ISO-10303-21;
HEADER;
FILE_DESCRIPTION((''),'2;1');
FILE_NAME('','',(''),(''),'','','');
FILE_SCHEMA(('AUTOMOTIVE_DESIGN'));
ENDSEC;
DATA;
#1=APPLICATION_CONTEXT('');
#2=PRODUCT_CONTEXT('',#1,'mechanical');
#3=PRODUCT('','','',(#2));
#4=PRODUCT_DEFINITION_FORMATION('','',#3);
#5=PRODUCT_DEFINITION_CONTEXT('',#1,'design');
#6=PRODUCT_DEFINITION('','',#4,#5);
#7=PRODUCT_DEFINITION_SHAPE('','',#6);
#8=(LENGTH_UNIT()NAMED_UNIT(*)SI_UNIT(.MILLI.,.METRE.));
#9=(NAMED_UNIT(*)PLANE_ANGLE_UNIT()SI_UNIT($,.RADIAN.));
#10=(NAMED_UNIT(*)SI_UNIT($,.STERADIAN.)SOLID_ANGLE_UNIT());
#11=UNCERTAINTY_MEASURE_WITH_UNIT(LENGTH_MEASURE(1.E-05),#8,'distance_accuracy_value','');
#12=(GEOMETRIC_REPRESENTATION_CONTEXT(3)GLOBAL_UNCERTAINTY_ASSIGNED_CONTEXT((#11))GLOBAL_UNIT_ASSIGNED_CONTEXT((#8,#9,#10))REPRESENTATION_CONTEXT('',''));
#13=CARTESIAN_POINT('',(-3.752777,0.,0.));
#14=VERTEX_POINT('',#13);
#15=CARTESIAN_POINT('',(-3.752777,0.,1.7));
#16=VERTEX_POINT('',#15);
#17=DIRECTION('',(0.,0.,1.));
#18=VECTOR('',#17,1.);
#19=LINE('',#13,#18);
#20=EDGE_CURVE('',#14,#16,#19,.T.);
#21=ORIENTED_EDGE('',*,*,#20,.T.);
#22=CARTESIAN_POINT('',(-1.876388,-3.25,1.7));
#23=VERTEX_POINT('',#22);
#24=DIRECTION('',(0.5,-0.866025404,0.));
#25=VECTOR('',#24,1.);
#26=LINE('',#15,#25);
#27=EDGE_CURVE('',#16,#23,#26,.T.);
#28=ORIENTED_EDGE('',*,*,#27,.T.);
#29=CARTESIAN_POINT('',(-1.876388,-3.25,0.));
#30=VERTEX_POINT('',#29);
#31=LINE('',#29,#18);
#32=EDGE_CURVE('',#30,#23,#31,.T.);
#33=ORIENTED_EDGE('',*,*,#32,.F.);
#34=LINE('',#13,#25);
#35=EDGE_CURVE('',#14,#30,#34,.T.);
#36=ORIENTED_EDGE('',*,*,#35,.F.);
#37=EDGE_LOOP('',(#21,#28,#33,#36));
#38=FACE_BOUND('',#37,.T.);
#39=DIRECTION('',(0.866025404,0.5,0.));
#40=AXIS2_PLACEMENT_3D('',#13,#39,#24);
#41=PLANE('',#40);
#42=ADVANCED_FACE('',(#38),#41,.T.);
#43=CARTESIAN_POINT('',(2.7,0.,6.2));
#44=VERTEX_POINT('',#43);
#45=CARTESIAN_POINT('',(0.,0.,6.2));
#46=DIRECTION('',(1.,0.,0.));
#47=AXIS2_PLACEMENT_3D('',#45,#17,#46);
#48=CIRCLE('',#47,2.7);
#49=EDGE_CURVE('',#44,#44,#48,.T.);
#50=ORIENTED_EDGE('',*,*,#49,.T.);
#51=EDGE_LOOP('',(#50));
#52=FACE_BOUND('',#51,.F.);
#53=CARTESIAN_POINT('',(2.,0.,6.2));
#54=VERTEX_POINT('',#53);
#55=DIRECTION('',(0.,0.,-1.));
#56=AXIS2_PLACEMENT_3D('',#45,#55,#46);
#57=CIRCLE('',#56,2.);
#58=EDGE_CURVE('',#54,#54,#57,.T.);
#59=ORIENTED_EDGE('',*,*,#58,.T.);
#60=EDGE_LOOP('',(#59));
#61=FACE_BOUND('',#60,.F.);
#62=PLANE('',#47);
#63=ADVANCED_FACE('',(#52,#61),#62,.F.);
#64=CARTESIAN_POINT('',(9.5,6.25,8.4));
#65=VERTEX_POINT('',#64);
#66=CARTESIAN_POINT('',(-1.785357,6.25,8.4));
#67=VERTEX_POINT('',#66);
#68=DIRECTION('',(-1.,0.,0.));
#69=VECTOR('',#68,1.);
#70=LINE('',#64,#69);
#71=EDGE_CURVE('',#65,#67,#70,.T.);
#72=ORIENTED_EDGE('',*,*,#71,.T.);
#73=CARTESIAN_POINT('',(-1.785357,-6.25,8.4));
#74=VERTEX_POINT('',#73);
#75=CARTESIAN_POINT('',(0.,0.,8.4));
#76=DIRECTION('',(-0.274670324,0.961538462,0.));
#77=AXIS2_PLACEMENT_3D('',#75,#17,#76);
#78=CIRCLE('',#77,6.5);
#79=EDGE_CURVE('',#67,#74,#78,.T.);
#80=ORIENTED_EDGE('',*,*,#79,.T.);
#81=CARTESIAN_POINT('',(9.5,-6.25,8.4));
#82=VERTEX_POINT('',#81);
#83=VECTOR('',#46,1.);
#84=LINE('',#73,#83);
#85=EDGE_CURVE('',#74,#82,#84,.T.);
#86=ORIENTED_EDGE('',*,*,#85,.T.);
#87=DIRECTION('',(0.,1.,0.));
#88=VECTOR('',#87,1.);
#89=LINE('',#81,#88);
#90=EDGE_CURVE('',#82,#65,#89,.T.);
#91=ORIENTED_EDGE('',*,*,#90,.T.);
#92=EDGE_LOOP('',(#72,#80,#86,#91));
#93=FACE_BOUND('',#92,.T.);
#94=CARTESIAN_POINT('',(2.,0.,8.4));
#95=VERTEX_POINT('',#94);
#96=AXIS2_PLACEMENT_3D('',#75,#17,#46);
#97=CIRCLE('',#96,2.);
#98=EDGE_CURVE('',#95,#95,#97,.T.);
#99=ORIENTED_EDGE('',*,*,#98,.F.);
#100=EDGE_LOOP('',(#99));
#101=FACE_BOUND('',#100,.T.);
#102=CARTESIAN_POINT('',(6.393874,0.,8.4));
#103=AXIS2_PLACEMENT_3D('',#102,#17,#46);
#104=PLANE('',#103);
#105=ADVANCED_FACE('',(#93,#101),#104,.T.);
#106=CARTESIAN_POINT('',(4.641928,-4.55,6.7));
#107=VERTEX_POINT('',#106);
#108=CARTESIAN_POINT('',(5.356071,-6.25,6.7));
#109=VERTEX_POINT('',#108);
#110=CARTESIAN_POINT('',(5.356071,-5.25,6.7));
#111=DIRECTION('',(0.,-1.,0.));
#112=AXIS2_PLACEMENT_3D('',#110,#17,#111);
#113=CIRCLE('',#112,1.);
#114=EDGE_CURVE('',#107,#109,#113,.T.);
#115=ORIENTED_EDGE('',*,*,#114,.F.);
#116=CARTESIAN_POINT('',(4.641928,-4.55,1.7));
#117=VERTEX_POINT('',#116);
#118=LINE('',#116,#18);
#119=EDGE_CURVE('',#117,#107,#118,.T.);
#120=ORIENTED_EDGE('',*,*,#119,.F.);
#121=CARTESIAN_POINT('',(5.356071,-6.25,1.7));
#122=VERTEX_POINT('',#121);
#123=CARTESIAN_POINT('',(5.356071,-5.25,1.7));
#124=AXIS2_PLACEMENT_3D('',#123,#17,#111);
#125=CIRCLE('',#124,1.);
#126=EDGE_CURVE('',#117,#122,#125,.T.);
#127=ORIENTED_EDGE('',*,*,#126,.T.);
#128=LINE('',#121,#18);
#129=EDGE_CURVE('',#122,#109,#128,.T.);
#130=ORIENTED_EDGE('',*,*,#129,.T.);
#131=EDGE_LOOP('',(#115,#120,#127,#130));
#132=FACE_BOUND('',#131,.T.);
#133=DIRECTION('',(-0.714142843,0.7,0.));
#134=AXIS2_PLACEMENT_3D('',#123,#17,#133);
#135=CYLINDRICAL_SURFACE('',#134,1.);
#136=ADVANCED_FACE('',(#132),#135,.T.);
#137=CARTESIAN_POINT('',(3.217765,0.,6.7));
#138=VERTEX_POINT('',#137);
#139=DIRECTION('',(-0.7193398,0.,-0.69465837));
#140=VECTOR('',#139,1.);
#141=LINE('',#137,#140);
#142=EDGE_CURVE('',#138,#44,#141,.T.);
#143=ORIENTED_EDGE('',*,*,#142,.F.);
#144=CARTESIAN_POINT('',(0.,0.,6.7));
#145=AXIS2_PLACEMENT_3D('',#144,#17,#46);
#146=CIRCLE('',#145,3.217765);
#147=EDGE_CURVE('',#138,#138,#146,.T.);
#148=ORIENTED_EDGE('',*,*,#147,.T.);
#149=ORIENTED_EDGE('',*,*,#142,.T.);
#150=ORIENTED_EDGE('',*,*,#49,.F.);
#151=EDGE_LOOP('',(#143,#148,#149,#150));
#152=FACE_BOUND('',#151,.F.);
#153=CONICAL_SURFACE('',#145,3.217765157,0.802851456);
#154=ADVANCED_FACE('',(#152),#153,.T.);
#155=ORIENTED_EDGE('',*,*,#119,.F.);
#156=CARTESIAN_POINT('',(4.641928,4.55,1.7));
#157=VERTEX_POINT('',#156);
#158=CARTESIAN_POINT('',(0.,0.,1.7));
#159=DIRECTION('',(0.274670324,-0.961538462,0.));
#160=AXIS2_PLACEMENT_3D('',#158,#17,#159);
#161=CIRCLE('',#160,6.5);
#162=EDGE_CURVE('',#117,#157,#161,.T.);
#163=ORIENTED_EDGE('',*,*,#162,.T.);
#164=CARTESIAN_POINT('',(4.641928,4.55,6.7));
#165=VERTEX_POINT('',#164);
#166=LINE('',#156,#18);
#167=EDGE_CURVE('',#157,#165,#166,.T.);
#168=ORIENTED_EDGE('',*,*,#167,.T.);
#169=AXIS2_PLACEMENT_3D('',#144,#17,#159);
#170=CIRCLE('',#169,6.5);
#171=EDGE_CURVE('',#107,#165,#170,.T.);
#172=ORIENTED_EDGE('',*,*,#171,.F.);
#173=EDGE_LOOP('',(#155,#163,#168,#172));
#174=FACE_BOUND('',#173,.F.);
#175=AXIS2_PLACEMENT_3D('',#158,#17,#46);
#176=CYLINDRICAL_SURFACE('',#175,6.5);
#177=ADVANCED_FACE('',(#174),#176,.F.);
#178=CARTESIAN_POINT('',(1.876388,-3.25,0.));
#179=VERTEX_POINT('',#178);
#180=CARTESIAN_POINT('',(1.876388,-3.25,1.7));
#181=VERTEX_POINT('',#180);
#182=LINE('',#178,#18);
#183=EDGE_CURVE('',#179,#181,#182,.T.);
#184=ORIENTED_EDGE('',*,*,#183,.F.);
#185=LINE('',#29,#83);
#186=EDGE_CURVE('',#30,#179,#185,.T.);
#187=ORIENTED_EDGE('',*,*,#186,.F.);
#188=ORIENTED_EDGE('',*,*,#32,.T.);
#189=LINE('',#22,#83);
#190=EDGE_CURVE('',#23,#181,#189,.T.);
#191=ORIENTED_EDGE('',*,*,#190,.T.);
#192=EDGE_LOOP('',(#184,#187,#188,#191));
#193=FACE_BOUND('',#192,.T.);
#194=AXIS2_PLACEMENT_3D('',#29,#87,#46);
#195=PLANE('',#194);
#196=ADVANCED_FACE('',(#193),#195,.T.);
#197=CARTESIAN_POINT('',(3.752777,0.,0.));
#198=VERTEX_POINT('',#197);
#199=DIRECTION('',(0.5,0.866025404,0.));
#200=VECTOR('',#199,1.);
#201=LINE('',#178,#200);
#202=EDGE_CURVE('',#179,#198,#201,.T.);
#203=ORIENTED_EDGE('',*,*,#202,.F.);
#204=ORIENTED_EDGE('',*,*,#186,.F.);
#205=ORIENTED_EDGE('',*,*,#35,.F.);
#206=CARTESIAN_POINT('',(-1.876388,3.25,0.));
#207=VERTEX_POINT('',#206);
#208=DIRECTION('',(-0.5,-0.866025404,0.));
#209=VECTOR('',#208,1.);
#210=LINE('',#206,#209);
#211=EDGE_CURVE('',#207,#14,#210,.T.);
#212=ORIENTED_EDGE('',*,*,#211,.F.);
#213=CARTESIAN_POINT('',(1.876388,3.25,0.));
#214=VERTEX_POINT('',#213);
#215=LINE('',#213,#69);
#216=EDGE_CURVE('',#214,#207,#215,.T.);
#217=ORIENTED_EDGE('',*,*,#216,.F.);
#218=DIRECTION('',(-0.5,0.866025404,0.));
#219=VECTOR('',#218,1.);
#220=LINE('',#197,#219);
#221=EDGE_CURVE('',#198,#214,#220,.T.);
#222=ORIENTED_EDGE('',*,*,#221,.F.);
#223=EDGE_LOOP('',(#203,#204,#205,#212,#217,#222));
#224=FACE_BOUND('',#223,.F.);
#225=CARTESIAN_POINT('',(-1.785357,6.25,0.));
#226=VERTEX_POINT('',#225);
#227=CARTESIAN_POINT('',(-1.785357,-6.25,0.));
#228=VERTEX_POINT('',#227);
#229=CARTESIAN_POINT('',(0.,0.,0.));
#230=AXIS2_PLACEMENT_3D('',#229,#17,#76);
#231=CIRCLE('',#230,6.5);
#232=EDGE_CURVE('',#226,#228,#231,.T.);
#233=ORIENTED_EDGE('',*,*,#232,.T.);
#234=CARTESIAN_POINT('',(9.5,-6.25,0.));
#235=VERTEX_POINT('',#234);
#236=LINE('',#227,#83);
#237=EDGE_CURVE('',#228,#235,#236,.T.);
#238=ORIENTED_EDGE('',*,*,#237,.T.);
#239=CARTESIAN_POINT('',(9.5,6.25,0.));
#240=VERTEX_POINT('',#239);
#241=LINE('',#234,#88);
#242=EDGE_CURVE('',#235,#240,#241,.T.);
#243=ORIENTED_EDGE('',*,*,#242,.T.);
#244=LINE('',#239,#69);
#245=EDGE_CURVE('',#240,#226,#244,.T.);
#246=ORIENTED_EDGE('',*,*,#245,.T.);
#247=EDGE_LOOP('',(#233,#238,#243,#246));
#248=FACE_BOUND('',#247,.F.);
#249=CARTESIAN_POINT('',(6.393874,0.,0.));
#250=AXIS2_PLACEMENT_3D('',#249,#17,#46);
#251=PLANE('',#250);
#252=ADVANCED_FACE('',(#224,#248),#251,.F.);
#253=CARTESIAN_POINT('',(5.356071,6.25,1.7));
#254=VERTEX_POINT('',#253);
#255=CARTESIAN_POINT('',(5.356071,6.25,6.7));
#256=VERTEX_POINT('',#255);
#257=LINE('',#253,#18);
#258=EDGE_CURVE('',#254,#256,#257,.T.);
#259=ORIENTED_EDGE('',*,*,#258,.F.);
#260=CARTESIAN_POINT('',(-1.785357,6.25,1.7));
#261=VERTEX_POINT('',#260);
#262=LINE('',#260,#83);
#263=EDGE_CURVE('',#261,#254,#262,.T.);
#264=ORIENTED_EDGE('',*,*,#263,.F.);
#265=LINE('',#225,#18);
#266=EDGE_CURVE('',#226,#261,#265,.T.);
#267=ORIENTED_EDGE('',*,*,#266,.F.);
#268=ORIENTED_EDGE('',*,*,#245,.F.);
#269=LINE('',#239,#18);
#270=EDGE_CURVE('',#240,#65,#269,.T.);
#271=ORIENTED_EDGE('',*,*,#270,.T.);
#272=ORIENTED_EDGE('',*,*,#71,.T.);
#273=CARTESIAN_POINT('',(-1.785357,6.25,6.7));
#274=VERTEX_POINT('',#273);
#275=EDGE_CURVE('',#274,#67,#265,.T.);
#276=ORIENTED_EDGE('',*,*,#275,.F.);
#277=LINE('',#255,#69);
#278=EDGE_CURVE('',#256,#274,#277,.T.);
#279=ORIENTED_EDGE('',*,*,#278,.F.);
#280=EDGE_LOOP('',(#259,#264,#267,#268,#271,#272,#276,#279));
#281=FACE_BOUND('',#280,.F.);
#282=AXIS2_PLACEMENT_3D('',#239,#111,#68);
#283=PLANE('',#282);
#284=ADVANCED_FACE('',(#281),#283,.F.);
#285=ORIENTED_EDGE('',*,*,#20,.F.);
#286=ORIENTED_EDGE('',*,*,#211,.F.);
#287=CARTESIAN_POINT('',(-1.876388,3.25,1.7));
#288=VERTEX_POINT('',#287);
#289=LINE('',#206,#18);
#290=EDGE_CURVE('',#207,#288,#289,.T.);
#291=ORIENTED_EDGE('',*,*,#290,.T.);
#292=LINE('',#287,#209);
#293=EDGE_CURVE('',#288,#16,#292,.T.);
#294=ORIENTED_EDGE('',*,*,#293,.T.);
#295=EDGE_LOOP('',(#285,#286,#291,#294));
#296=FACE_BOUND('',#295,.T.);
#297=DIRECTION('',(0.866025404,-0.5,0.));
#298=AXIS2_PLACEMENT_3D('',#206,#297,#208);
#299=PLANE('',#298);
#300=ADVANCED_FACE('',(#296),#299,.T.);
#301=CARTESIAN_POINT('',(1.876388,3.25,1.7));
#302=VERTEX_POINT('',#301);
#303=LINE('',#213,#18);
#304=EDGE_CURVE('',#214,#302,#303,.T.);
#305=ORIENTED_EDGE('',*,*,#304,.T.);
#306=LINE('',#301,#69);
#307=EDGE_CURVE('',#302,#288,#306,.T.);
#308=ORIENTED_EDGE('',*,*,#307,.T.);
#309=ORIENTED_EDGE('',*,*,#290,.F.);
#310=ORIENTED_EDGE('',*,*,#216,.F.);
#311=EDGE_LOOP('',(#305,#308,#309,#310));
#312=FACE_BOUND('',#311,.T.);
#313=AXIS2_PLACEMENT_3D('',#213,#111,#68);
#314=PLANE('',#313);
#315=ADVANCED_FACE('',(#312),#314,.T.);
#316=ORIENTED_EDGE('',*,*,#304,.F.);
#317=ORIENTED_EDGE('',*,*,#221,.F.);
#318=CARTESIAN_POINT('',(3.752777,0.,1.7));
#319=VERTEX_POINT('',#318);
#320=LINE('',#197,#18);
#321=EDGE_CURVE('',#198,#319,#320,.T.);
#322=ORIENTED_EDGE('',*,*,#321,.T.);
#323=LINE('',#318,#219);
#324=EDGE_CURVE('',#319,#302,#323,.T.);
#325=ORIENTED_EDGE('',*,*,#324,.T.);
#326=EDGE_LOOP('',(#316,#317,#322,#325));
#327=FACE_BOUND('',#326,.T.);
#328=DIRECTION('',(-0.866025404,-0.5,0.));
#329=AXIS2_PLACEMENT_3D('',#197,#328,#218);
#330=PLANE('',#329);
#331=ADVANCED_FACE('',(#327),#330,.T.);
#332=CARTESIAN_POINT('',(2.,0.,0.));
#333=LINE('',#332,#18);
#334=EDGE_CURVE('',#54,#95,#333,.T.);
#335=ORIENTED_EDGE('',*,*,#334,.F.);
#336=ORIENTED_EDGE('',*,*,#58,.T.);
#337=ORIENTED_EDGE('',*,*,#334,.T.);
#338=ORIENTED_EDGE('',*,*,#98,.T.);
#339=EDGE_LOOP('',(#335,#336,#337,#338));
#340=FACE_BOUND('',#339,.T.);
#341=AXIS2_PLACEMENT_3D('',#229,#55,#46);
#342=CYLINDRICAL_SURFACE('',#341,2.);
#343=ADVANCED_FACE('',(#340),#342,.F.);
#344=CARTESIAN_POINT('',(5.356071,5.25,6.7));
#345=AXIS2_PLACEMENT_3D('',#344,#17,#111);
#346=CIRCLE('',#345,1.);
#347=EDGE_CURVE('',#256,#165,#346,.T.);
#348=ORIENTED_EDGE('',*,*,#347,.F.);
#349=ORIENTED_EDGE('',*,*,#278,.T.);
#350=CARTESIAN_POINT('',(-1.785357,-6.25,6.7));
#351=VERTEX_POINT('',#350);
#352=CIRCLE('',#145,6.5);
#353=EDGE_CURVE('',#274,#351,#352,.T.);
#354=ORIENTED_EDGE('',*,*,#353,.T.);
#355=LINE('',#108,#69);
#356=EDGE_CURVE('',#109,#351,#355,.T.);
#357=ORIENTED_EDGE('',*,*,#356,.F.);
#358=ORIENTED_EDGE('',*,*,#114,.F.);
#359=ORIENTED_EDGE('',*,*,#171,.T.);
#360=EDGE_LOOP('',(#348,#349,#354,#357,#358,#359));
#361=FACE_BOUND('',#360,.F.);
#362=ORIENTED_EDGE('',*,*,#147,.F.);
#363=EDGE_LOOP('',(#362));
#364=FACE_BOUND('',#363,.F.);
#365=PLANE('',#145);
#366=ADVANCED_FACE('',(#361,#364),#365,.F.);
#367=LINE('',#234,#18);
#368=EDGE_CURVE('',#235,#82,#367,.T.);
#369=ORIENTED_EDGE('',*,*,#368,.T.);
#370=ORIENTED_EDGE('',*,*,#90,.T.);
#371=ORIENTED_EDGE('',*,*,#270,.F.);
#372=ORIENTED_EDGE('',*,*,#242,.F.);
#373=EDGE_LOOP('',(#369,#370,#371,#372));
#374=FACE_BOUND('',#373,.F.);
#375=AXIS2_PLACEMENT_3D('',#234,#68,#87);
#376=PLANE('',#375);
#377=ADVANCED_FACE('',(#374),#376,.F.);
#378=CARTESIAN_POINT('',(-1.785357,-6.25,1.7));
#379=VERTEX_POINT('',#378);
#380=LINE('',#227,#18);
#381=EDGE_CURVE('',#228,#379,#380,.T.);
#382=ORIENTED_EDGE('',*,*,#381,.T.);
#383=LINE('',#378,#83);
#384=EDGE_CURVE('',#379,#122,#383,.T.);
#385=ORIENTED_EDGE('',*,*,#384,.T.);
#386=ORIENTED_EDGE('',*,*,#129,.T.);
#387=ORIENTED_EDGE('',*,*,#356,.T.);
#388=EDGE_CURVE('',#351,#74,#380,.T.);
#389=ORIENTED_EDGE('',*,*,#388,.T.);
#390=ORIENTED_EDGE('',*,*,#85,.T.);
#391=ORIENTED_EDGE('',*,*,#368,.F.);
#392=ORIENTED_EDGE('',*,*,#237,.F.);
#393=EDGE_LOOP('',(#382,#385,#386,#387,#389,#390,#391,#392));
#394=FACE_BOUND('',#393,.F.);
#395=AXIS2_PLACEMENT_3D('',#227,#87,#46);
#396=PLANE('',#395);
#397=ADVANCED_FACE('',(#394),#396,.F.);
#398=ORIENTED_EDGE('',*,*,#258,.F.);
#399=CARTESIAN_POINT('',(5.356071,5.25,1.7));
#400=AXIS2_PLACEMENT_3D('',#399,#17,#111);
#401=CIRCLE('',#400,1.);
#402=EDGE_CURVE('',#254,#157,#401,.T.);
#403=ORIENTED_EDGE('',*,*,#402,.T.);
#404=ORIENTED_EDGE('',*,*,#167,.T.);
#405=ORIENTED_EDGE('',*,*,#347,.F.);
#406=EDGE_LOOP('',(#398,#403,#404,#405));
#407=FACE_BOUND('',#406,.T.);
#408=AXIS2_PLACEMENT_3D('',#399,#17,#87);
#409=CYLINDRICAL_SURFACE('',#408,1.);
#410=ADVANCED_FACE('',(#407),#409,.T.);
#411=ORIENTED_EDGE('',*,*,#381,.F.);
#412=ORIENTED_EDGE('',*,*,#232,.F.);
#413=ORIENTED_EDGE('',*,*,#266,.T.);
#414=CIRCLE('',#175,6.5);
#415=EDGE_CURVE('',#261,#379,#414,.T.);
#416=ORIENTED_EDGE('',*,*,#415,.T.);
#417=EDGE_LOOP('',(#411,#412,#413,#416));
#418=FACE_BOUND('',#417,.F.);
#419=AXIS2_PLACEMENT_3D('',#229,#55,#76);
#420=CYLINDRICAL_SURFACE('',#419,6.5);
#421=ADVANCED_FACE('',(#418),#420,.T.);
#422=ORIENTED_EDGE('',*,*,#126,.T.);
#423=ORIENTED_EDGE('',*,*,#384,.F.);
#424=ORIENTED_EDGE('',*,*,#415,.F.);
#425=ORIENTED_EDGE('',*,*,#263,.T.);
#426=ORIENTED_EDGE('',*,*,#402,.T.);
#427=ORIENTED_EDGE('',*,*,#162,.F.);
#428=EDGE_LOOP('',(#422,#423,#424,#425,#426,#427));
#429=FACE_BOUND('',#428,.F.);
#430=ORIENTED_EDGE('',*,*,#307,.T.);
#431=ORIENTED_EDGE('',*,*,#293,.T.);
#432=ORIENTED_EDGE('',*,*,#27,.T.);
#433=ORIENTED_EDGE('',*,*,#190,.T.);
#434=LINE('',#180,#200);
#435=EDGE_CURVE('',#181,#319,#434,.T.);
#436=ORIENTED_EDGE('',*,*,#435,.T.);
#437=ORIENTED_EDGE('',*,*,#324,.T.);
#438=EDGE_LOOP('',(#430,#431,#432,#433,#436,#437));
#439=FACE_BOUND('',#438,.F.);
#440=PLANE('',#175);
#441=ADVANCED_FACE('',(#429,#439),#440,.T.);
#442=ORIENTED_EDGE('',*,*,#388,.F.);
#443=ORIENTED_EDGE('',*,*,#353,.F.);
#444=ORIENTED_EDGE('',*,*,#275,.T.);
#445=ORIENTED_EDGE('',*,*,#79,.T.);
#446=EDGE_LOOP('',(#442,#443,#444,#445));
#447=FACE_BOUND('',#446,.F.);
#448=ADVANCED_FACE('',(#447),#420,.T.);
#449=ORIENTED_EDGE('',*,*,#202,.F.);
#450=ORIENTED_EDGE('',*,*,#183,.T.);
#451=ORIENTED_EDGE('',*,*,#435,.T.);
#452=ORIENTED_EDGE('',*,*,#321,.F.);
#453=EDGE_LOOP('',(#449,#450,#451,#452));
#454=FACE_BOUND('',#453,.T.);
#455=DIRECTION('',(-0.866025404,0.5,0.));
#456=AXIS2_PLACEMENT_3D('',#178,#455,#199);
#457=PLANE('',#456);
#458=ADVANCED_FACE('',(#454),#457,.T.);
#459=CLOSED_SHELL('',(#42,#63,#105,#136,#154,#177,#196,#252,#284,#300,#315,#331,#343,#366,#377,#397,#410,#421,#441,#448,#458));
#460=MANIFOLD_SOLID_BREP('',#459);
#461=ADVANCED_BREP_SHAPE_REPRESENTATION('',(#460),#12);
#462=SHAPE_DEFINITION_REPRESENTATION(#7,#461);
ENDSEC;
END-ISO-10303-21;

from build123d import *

# Parameters (mm, degrees)
F1_R     = 2
F3_DEPTH = 8.4
F5_R     = 2
F6_DEPTH = 25
F7_DEPTH = 1.7
F8_R     = 1


with BuildPart() as f3:
    # F1 (on Top) → F3 (new body, through all)
    with BuildSketch(Plane.XY):
        with BuildLine():
            Line((9.5, 6.25), (1.7853571071, 6.25))
            ThreePointArc((1.7853571071, 6.25), (5.1891628032, 3.9144079248), (6.5, 0))
            ThreePointArc((6.5, 0), (5.1891628032, -3.9144079248), (1.7853571071, -6.25))
            Line((1.7853571071, -6.25), (9.5, -6.25))
            Line((9.5, -6.25), (9.5, 6.25))
        make_face()
        with BuildLine():
            Line((1.7853571071, 6.25), (-1.7853571071, 6.25))
            ThreePointArc((-1.7853571071, 6.25), (-6.5, 0), (-1.7853571071, -6.25))
            Line((-1.7853571071, -6.25), (1.7853571071, -6.25))
            ThreePointArc((1.7853571071, -6.25), (5.1891628032, -3.9144079248), (6.5, 0))
            ThreePointArc((6.5, 0), (5.1891628032, 3.9144079248), (1.7853571071, 6.25))
        make_face()
        Polygon((-3.7527767497, 0), (-1.8763883749, 3.25), (1.8763883749, 3.25), (3.7527767497, 0), (1.8763883749, -3.25), (-1.8763883749, -3.25), align=None, mode=Mode.SUBTRACT)
        Polygon((1.8763883749, 3.25), (-1.8763883749, 3.25), (-3.7527767497, 0), (-1.8763883749, -3.25), (1.8763883749, -3.25), (3.7527767497, 0), align=None)
        Circle(F1_R, mode=Mode.SUBTRACT)
    extrude(amount=F3_DEPTH)

    # F2 (on Front) → F4 (revolve, cut)
    with BuildSketch(Plane.XZ):
        Polygon((0, 6.2), (0, 1.7), (6.5, 1.7), (6.5, 6.7), (3.2177651569, 6.7), (2.7, 6.2), align=None)
    revolve(axis=Axis((0, 0, 4.2), (0, 0, 1)), mode=Mode.SUBTRACT)

    # F5 (on face) → F6 (cut)
    with BuildSketch(Plane.XY.offset(8.4)):
        Circle(F5_R)
    extrude(amount=-F6_DEPTH, mode=Mode.SUBTRACT)

    # F1 (on Top) → F7 (cut, through all)
    with BuildSketch(Plane.XY):
        Polygon((1.8763883749, 3.25), (-1.8763883749, 3.25), (-3.7527767497, 0), (-1.8763883749, -3.25), (1.8763883749, -3.25), (3.7527767497, 0), align=None)
        Circle(F1_R, mode=Mode.SUBTRACT)
    extrude(amount=F7_DEPTH, mode=Mode.SUBTRACT)

    # F8
    f8_edges = [f3.edges().sort_by_distance(p)[0] for p in [
        (1.785357, 6.25, 4.2),
        (1.785357, -6.25, 4.2),
    ]]
    fillet(f8_edges, radius=F8_R)


solid = f3.part
